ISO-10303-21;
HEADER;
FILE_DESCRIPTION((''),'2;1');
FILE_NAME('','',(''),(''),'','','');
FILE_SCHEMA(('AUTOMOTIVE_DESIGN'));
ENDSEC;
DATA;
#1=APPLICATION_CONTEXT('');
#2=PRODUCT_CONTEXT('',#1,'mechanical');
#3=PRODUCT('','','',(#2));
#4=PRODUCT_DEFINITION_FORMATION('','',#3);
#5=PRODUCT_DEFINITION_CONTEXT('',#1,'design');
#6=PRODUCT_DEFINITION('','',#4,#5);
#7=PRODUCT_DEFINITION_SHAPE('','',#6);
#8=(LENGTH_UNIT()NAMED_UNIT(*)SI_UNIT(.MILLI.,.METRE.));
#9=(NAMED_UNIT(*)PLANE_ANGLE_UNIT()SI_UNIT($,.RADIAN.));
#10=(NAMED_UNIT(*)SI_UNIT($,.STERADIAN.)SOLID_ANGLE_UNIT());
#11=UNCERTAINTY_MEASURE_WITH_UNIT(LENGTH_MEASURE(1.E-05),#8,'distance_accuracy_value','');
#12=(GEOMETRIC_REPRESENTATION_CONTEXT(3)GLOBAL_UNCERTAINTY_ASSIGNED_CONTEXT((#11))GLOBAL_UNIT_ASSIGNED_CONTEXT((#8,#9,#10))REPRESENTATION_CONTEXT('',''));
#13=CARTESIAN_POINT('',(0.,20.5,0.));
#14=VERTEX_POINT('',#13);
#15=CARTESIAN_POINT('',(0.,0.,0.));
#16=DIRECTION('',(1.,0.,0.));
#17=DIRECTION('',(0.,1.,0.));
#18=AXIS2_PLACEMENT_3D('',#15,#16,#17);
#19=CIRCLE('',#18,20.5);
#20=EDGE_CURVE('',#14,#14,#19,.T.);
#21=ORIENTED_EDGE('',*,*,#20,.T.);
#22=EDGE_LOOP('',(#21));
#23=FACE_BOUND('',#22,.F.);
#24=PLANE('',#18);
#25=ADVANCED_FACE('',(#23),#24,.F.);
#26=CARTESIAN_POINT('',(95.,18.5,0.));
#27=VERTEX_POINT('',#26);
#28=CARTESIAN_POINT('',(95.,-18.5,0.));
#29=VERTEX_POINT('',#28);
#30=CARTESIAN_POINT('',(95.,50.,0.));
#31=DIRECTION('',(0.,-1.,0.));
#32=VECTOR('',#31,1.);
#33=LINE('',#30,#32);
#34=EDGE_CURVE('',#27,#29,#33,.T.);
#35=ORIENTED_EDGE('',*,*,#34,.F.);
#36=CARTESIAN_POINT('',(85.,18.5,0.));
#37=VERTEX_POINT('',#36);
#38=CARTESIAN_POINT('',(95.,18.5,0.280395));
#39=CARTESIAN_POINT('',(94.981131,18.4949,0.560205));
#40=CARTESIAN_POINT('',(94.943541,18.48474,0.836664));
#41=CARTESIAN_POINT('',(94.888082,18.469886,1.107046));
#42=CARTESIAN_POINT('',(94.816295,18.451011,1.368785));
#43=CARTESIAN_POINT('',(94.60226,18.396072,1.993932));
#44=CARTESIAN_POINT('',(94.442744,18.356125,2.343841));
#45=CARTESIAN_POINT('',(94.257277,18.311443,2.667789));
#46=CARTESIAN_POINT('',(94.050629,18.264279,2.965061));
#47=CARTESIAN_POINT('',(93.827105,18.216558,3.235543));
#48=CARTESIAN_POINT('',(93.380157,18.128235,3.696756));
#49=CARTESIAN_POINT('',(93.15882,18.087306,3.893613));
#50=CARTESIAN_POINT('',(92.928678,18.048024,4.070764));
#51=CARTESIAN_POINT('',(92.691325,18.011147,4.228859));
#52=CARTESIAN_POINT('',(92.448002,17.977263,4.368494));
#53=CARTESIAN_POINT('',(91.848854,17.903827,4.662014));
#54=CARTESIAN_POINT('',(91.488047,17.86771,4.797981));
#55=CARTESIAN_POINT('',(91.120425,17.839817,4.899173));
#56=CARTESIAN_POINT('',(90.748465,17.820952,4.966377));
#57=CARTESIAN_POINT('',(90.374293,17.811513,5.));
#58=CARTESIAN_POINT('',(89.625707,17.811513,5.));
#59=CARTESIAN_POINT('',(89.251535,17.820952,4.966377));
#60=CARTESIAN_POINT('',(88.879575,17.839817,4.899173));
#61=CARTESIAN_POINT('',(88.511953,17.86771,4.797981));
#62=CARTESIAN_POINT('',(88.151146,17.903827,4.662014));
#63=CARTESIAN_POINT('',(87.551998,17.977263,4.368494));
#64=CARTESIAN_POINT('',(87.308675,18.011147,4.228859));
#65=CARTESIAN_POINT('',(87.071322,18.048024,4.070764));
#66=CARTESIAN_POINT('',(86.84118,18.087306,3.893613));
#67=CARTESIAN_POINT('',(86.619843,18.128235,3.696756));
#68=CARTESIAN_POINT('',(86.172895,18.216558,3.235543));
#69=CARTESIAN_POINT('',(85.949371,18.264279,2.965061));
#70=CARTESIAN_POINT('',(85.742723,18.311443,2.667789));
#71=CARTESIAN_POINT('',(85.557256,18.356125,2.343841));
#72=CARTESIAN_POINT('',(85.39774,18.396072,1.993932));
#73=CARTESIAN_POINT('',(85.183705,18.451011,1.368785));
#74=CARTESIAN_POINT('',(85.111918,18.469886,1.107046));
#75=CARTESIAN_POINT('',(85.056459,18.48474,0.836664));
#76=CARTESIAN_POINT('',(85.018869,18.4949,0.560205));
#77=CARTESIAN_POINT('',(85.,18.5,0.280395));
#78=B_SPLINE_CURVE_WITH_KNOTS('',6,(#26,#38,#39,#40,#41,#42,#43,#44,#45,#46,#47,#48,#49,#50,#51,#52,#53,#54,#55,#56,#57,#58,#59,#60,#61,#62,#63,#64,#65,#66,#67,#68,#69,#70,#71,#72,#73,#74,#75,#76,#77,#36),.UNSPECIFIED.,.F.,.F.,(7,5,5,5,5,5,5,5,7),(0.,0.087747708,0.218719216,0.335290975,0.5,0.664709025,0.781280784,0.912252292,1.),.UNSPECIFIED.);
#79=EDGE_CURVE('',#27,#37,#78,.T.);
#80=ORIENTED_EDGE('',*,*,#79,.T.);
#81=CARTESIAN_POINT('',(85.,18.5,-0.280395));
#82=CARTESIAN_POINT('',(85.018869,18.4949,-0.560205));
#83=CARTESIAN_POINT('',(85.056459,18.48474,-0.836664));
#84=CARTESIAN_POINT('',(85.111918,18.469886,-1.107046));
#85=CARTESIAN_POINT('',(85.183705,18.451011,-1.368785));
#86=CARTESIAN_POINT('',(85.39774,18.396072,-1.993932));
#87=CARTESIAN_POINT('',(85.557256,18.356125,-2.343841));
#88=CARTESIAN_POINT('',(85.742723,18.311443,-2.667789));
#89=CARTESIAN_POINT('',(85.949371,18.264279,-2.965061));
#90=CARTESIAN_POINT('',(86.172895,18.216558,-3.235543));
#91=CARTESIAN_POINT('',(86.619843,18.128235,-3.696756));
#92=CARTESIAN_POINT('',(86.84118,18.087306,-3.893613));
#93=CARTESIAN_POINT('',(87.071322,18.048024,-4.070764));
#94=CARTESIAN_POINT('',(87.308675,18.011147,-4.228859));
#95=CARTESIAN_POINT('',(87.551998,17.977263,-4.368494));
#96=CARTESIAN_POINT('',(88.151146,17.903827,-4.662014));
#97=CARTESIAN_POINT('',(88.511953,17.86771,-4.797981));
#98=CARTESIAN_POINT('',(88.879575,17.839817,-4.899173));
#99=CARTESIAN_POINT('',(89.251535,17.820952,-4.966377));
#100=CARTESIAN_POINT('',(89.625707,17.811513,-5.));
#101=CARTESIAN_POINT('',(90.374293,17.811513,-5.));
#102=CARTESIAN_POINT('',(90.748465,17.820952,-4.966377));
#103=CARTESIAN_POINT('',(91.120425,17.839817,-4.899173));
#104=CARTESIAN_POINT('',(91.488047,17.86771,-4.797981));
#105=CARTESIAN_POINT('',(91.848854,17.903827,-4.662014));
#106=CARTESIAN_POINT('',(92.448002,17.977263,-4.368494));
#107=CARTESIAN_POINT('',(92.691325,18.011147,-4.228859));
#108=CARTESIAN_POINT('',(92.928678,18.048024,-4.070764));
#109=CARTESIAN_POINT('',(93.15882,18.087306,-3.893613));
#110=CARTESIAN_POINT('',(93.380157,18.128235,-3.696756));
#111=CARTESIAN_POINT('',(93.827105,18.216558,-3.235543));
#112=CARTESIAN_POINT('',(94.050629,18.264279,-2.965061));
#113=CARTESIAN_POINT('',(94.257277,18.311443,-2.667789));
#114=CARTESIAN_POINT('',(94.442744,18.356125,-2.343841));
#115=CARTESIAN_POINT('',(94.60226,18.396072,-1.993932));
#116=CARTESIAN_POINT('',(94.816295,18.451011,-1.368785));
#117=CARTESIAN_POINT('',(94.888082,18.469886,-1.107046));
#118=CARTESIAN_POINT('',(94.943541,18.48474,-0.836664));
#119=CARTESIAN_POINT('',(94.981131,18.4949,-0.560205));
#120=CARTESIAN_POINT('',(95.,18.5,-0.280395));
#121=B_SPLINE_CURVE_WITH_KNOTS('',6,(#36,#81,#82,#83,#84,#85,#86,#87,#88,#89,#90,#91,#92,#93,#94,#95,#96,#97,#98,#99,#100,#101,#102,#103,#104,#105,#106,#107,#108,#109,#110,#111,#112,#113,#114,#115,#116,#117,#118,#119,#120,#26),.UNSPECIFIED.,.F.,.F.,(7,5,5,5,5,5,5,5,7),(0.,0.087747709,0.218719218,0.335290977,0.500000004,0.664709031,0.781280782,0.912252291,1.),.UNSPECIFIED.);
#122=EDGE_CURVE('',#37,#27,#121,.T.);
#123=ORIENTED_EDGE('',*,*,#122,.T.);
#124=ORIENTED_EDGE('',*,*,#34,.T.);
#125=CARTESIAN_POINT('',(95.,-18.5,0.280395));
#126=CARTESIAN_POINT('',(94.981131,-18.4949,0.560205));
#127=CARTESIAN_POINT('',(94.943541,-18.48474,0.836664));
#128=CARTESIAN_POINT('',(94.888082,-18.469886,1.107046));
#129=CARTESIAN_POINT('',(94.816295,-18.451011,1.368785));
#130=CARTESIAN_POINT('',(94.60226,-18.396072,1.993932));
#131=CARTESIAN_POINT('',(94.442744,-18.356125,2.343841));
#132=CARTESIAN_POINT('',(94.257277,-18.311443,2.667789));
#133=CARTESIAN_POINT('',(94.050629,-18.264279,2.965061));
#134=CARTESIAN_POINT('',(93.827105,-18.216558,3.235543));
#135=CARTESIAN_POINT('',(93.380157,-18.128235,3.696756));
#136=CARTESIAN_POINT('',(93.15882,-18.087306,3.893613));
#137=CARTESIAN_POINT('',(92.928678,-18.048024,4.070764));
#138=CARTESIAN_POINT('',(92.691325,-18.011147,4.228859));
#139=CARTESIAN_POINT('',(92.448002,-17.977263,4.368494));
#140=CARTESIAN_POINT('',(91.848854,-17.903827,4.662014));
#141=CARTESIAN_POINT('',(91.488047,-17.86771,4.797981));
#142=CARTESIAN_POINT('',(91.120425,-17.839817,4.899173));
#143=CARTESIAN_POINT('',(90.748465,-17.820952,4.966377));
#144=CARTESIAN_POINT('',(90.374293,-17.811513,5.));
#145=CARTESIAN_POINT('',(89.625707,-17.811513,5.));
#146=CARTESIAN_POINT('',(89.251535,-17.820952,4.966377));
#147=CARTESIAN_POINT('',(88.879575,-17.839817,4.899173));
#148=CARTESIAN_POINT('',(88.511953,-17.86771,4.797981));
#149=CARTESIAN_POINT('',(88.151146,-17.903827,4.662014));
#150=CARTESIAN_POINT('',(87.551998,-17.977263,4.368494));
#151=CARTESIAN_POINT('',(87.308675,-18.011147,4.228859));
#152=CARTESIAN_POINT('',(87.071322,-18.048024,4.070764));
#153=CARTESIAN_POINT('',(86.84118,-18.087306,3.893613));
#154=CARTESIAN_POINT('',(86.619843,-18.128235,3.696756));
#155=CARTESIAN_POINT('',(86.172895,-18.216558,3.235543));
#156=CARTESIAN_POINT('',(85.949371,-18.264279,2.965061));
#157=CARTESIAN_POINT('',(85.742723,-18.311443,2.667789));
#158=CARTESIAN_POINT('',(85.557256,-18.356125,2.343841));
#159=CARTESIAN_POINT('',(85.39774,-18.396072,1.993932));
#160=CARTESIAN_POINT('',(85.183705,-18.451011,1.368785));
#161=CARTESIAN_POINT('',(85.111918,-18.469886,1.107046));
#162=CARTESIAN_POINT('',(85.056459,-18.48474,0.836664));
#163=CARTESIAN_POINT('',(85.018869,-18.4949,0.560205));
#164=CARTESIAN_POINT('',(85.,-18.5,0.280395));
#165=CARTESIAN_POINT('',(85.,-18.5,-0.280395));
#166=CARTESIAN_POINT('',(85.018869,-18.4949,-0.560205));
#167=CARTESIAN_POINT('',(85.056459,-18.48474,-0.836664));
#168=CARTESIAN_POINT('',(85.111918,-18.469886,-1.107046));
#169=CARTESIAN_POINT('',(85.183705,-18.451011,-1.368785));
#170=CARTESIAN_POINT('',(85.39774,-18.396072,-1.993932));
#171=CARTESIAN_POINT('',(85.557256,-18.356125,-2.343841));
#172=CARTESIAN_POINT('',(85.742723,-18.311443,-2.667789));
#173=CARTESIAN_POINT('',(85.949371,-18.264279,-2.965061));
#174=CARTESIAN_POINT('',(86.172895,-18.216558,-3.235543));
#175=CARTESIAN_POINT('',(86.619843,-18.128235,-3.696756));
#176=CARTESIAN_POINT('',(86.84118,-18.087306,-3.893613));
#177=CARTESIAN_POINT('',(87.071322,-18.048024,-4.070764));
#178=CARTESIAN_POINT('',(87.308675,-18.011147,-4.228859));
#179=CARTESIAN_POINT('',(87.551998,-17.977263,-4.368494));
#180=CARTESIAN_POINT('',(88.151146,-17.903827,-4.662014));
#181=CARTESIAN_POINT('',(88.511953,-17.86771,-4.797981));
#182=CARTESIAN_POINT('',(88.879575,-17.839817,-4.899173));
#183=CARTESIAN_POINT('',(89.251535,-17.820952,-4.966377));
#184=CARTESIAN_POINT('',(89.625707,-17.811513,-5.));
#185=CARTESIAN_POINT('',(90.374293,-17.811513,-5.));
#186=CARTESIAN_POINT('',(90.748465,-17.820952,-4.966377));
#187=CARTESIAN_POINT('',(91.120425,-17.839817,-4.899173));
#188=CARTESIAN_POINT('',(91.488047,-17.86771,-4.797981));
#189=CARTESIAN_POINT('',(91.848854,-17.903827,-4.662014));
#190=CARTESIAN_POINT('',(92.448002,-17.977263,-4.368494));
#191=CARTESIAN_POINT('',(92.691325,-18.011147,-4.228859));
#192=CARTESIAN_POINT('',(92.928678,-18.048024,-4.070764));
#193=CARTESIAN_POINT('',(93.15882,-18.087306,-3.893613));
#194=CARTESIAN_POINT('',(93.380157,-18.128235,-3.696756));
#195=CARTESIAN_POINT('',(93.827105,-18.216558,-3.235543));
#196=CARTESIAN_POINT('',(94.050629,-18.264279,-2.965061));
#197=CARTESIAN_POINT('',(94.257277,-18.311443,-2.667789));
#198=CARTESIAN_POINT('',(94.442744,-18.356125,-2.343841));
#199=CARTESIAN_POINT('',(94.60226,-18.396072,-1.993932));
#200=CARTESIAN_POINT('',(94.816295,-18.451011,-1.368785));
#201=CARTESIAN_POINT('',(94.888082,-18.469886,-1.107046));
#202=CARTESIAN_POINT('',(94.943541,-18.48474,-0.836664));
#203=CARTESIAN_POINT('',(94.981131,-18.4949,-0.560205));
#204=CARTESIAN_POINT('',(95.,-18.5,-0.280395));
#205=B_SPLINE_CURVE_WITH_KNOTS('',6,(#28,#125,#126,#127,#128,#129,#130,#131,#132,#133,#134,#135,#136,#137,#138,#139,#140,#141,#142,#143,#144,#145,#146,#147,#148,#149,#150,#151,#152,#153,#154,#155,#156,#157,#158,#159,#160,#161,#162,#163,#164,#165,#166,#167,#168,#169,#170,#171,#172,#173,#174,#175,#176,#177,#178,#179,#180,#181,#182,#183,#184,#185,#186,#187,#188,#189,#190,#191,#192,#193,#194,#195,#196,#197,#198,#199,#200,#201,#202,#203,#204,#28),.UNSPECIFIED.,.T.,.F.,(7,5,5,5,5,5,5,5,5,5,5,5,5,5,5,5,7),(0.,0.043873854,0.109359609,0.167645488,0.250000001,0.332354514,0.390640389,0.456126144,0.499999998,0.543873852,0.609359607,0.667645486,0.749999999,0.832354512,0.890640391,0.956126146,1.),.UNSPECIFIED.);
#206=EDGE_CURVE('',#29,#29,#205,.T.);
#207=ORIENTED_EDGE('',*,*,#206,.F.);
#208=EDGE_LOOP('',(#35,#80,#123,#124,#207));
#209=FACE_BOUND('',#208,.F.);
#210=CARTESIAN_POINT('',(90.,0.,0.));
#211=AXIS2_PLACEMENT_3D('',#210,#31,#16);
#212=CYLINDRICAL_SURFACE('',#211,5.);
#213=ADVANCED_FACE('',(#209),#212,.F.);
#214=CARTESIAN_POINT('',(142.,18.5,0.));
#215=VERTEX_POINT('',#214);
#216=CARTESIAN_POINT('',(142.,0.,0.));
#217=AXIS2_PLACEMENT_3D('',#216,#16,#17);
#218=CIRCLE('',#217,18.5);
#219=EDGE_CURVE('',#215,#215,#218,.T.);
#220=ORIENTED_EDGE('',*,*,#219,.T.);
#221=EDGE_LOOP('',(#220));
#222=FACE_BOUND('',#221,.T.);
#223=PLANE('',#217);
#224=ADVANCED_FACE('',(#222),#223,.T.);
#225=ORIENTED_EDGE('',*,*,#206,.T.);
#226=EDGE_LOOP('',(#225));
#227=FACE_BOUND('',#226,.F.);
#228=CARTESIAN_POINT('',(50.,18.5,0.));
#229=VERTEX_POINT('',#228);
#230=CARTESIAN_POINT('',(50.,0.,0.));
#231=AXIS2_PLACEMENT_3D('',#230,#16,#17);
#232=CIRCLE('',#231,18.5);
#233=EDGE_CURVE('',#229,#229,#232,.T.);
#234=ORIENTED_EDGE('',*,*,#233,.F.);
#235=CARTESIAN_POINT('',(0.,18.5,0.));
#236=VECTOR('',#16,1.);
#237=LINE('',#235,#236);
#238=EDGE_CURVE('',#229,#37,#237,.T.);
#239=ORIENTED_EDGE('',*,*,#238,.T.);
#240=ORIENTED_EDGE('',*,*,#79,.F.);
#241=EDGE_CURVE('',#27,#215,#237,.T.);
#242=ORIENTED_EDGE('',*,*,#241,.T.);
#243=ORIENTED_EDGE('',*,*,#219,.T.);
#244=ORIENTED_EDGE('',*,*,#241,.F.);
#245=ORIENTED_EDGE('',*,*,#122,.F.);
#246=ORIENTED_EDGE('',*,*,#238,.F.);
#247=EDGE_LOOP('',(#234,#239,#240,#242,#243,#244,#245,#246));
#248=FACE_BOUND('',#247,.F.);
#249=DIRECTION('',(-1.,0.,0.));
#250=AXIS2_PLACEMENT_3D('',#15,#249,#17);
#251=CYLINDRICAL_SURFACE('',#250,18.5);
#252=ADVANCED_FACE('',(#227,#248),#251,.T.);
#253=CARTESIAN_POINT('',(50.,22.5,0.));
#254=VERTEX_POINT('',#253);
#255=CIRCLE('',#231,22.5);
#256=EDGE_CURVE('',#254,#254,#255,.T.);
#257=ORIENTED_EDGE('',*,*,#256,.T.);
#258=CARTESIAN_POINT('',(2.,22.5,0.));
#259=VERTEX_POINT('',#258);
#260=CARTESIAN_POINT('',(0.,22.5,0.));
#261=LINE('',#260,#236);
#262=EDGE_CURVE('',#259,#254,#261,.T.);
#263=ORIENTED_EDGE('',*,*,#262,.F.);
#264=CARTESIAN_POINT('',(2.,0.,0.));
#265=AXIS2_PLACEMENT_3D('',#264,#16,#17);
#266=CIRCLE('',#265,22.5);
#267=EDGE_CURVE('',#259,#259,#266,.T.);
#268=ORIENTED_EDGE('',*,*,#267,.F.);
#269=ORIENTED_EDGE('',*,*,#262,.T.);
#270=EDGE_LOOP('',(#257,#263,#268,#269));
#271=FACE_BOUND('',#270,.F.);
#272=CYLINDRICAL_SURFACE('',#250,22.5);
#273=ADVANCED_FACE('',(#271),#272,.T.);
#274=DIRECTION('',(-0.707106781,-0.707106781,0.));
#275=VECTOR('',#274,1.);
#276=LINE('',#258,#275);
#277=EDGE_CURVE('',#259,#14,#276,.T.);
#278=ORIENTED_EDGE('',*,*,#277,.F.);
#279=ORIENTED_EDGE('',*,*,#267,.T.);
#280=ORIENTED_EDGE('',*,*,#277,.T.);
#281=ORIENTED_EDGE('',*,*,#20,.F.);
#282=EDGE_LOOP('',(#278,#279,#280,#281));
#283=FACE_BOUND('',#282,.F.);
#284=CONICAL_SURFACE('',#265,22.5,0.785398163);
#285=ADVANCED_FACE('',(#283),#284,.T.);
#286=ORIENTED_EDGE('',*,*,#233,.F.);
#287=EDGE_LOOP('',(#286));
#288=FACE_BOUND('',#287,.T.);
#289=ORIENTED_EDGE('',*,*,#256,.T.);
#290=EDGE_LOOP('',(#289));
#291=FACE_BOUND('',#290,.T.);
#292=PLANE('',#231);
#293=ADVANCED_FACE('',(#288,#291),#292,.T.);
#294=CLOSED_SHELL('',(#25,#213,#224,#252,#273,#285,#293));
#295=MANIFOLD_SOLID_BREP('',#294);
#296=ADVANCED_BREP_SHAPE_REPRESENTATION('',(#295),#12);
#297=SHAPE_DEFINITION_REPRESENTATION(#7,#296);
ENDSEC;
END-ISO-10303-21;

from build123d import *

# Parameters (mm, degrees)
F0_R     = 18.5
F1_DEPTH = 142
F0_R_2   = 22.5
F2_DEPTH = 50
F3_SIZE  = 2
F5_R     = 5
F6_DEPTH = 50


with BuildPart() as f1:
    # F0 (on Right) → F1 (new body)
    with BuildSketch(Plane.YZ):
        Circle(F0_R)
    extrude(amount=F1_DEPTH)

    # F0 (on Right) → F2 (join)
    with BuildSketch(Plane.YZ):
        Circle(F0_R_2)
        Circle(F0_R, mode=Mode.SUBTRACT)
    extrude(amount=F2_DEPTH)

    # F3
    f3_edges = [f1.edges().sort_by_distance(p)[0] for p in [
        (0, -22.5, 0),
    ]]
    chamfer(f3_edges, length=F3_SIZE)

    # F5 (on face) → F6 (cut, symmetric)
    with BuildSketch(Plane.XZ):
        with Locations((90, 0)):
            Circle(F5_R)
    extrude(amount=F6_DEPTH, both=True, mode=Mode.SUBTRACT)


solid = f1.part
